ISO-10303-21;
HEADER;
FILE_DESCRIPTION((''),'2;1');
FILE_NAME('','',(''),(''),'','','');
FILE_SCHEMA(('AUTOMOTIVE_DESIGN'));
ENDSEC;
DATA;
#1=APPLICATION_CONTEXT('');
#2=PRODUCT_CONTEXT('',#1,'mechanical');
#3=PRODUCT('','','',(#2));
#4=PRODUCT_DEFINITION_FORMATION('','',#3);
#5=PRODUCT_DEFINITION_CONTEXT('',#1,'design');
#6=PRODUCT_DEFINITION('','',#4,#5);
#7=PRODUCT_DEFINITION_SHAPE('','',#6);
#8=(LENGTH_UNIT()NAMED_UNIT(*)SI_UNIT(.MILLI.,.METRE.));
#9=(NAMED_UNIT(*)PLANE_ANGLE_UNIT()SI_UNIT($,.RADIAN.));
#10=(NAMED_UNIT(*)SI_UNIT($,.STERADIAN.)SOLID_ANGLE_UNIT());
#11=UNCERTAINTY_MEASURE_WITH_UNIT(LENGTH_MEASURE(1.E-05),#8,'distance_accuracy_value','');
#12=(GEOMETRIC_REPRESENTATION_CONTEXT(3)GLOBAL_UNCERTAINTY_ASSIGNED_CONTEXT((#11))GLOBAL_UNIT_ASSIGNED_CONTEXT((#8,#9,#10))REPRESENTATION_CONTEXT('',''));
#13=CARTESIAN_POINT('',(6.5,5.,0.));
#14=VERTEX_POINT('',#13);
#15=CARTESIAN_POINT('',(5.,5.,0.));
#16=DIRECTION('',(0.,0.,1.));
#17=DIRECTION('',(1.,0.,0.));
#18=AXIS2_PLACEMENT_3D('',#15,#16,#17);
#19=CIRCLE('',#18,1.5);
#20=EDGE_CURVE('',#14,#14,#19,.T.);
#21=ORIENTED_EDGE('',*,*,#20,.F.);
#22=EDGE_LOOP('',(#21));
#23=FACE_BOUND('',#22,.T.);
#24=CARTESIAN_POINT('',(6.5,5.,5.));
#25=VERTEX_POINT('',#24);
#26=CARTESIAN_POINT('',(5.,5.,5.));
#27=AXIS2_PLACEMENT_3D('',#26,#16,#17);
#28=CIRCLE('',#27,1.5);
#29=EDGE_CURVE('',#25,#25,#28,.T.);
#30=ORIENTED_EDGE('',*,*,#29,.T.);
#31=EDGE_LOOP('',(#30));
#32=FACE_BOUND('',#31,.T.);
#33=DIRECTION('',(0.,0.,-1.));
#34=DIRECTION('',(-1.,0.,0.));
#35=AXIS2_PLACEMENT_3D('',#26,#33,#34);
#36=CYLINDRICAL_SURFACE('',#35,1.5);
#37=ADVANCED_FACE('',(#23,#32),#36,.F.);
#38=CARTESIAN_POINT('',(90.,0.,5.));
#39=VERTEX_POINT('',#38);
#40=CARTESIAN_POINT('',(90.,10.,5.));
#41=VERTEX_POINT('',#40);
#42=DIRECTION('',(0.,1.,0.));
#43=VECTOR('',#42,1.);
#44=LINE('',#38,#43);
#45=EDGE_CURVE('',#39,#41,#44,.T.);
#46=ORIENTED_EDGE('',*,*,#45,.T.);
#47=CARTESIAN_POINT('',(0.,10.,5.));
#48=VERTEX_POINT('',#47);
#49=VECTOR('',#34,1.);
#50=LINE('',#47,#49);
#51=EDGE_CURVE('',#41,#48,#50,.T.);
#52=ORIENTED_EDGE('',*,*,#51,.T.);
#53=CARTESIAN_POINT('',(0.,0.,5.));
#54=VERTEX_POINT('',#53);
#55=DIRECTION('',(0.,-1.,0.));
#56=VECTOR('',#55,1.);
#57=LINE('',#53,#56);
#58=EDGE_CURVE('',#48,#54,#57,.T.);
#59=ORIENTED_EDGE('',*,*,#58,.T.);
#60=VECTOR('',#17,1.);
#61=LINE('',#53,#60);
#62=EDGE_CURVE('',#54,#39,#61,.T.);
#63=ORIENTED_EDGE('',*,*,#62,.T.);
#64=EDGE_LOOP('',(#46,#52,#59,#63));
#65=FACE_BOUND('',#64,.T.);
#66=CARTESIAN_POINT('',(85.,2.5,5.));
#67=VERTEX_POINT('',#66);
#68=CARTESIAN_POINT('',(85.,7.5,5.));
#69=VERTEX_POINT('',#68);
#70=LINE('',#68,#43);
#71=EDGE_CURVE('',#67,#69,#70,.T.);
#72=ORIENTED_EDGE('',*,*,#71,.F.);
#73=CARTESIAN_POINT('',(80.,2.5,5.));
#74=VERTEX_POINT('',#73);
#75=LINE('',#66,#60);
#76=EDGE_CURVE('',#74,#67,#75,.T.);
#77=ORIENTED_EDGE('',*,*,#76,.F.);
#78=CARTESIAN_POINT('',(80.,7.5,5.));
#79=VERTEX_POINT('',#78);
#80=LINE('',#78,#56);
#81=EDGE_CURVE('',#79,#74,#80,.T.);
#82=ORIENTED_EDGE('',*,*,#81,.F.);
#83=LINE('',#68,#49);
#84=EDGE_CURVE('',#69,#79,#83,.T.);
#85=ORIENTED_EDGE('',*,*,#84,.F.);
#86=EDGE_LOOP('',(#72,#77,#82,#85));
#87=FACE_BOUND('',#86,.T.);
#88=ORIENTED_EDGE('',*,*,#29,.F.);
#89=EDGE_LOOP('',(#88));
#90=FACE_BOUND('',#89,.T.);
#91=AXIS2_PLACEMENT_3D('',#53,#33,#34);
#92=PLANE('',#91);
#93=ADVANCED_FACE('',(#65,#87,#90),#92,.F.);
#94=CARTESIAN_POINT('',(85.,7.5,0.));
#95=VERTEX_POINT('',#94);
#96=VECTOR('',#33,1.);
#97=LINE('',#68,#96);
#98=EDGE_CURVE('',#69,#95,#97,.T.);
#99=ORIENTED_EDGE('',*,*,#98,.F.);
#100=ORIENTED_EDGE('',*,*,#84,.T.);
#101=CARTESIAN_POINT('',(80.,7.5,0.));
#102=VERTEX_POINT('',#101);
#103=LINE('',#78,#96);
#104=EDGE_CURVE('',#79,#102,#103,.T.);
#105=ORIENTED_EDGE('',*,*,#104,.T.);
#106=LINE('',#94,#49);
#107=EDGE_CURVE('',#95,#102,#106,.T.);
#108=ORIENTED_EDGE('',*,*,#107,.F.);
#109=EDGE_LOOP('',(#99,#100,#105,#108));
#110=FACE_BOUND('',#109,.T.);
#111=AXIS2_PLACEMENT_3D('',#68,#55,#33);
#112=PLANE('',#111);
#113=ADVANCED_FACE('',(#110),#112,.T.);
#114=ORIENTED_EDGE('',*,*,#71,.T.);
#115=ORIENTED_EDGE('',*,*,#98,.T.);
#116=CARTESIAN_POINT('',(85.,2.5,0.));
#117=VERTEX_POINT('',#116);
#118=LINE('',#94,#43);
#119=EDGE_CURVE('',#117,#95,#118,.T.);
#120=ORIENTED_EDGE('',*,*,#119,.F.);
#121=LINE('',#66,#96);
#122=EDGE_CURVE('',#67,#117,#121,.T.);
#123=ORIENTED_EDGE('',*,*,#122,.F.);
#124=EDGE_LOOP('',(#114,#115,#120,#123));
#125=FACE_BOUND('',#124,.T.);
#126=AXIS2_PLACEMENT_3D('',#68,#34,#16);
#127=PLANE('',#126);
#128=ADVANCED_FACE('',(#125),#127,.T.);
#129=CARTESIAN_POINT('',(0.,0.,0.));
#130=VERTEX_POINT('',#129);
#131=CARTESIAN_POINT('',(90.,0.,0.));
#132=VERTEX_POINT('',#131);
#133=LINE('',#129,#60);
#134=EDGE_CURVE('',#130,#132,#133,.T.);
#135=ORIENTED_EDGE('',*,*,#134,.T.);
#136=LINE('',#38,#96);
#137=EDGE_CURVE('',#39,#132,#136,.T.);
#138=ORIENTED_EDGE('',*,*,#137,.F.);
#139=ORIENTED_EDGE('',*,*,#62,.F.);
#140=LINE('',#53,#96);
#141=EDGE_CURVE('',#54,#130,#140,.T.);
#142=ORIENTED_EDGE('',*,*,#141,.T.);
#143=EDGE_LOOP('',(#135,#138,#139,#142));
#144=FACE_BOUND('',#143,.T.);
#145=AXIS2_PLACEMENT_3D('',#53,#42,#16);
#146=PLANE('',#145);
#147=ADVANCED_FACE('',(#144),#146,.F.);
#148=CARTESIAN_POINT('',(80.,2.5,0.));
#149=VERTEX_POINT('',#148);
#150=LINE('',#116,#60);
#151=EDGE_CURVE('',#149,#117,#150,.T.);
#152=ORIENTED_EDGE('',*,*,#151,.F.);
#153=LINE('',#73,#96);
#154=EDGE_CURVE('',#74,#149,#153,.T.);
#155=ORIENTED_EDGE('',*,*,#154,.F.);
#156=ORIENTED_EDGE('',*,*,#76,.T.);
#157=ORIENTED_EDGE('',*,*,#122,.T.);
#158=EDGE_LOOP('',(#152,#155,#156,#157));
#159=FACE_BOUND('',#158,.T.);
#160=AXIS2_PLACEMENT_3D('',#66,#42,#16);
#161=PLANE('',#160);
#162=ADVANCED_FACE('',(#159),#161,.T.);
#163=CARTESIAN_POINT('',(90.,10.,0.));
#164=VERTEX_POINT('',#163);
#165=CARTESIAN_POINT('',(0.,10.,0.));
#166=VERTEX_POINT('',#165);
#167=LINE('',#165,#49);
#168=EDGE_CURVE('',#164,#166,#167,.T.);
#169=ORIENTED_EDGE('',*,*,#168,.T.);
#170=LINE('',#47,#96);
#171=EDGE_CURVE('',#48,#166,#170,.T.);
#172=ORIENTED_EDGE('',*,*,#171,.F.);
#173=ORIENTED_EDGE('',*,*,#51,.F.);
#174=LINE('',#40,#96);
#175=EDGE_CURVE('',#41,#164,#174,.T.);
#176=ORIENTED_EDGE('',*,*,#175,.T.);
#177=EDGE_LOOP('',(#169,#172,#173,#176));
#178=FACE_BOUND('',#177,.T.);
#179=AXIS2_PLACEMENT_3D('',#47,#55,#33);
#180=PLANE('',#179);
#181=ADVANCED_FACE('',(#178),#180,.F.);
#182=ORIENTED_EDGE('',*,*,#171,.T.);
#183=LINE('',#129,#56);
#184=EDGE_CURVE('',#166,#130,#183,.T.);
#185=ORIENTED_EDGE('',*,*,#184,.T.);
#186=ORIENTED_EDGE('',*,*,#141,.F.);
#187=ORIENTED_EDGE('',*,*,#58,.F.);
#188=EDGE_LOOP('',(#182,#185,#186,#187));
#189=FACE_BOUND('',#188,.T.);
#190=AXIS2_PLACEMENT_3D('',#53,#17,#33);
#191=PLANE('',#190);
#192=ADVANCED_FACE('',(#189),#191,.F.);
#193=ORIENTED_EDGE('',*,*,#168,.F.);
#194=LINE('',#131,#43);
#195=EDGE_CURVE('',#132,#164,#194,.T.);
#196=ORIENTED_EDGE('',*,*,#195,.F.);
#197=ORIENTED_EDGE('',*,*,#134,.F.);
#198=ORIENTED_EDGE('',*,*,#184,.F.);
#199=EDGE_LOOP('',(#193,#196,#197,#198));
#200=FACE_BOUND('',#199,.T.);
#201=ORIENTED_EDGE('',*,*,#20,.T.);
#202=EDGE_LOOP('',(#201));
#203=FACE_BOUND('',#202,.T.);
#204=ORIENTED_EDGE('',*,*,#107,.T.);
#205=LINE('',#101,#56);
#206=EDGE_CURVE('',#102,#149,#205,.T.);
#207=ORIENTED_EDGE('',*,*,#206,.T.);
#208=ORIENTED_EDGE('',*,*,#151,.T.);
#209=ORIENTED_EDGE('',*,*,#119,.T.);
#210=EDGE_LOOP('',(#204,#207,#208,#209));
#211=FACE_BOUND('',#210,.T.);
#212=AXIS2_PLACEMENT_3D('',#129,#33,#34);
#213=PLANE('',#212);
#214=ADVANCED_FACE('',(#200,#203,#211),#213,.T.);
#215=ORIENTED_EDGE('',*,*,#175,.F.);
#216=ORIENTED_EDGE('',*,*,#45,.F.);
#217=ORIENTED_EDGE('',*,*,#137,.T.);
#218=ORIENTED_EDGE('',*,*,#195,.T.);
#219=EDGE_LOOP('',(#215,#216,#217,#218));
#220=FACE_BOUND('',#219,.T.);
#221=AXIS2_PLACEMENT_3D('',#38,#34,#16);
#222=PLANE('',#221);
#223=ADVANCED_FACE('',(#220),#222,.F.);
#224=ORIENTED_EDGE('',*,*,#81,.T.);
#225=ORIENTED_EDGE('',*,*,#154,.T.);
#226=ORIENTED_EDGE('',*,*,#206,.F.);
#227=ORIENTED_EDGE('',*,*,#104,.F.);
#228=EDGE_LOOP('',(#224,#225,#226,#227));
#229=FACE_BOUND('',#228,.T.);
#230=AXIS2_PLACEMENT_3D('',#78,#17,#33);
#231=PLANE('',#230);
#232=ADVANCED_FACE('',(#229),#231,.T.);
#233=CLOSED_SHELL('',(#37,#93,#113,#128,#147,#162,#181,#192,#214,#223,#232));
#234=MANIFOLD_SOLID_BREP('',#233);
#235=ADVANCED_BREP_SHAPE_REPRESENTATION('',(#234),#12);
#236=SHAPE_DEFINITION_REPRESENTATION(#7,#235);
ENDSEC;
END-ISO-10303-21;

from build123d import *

# Parameters (mm, degrees)
ESQUISSE1_W        = 90
ESQUISSE1_H        = 10
ESQUISSE1_R        = 1.5
ESQUISSE1_W_2      = 5
ESQUISSE1_H_2      = 5
BOSS_EXTRU_1_DEPTH = 5


with BuildPart() as part:
    # Esquisse1 → Boss.-Extru.1 (new body)
    with BuildSketch(Plane.XY):
        with Locations((45, 5)):
            Rectangle(ESQUISSE1_W, ESQUISSE1_H)
        with Locations((5, 5)):
            Circle(ESQUISSE1_R, mode=Mode.SUBTRACT)
        with Locations((82.5, 5)):
            Rectangle(ESQUISSE1_W_2, ESQUISSE1_H_2, mode=Mode.SUBTRACT)
    extrude(amount=BOSS_EXTRU_1_DEPTH)


solid = part.part
